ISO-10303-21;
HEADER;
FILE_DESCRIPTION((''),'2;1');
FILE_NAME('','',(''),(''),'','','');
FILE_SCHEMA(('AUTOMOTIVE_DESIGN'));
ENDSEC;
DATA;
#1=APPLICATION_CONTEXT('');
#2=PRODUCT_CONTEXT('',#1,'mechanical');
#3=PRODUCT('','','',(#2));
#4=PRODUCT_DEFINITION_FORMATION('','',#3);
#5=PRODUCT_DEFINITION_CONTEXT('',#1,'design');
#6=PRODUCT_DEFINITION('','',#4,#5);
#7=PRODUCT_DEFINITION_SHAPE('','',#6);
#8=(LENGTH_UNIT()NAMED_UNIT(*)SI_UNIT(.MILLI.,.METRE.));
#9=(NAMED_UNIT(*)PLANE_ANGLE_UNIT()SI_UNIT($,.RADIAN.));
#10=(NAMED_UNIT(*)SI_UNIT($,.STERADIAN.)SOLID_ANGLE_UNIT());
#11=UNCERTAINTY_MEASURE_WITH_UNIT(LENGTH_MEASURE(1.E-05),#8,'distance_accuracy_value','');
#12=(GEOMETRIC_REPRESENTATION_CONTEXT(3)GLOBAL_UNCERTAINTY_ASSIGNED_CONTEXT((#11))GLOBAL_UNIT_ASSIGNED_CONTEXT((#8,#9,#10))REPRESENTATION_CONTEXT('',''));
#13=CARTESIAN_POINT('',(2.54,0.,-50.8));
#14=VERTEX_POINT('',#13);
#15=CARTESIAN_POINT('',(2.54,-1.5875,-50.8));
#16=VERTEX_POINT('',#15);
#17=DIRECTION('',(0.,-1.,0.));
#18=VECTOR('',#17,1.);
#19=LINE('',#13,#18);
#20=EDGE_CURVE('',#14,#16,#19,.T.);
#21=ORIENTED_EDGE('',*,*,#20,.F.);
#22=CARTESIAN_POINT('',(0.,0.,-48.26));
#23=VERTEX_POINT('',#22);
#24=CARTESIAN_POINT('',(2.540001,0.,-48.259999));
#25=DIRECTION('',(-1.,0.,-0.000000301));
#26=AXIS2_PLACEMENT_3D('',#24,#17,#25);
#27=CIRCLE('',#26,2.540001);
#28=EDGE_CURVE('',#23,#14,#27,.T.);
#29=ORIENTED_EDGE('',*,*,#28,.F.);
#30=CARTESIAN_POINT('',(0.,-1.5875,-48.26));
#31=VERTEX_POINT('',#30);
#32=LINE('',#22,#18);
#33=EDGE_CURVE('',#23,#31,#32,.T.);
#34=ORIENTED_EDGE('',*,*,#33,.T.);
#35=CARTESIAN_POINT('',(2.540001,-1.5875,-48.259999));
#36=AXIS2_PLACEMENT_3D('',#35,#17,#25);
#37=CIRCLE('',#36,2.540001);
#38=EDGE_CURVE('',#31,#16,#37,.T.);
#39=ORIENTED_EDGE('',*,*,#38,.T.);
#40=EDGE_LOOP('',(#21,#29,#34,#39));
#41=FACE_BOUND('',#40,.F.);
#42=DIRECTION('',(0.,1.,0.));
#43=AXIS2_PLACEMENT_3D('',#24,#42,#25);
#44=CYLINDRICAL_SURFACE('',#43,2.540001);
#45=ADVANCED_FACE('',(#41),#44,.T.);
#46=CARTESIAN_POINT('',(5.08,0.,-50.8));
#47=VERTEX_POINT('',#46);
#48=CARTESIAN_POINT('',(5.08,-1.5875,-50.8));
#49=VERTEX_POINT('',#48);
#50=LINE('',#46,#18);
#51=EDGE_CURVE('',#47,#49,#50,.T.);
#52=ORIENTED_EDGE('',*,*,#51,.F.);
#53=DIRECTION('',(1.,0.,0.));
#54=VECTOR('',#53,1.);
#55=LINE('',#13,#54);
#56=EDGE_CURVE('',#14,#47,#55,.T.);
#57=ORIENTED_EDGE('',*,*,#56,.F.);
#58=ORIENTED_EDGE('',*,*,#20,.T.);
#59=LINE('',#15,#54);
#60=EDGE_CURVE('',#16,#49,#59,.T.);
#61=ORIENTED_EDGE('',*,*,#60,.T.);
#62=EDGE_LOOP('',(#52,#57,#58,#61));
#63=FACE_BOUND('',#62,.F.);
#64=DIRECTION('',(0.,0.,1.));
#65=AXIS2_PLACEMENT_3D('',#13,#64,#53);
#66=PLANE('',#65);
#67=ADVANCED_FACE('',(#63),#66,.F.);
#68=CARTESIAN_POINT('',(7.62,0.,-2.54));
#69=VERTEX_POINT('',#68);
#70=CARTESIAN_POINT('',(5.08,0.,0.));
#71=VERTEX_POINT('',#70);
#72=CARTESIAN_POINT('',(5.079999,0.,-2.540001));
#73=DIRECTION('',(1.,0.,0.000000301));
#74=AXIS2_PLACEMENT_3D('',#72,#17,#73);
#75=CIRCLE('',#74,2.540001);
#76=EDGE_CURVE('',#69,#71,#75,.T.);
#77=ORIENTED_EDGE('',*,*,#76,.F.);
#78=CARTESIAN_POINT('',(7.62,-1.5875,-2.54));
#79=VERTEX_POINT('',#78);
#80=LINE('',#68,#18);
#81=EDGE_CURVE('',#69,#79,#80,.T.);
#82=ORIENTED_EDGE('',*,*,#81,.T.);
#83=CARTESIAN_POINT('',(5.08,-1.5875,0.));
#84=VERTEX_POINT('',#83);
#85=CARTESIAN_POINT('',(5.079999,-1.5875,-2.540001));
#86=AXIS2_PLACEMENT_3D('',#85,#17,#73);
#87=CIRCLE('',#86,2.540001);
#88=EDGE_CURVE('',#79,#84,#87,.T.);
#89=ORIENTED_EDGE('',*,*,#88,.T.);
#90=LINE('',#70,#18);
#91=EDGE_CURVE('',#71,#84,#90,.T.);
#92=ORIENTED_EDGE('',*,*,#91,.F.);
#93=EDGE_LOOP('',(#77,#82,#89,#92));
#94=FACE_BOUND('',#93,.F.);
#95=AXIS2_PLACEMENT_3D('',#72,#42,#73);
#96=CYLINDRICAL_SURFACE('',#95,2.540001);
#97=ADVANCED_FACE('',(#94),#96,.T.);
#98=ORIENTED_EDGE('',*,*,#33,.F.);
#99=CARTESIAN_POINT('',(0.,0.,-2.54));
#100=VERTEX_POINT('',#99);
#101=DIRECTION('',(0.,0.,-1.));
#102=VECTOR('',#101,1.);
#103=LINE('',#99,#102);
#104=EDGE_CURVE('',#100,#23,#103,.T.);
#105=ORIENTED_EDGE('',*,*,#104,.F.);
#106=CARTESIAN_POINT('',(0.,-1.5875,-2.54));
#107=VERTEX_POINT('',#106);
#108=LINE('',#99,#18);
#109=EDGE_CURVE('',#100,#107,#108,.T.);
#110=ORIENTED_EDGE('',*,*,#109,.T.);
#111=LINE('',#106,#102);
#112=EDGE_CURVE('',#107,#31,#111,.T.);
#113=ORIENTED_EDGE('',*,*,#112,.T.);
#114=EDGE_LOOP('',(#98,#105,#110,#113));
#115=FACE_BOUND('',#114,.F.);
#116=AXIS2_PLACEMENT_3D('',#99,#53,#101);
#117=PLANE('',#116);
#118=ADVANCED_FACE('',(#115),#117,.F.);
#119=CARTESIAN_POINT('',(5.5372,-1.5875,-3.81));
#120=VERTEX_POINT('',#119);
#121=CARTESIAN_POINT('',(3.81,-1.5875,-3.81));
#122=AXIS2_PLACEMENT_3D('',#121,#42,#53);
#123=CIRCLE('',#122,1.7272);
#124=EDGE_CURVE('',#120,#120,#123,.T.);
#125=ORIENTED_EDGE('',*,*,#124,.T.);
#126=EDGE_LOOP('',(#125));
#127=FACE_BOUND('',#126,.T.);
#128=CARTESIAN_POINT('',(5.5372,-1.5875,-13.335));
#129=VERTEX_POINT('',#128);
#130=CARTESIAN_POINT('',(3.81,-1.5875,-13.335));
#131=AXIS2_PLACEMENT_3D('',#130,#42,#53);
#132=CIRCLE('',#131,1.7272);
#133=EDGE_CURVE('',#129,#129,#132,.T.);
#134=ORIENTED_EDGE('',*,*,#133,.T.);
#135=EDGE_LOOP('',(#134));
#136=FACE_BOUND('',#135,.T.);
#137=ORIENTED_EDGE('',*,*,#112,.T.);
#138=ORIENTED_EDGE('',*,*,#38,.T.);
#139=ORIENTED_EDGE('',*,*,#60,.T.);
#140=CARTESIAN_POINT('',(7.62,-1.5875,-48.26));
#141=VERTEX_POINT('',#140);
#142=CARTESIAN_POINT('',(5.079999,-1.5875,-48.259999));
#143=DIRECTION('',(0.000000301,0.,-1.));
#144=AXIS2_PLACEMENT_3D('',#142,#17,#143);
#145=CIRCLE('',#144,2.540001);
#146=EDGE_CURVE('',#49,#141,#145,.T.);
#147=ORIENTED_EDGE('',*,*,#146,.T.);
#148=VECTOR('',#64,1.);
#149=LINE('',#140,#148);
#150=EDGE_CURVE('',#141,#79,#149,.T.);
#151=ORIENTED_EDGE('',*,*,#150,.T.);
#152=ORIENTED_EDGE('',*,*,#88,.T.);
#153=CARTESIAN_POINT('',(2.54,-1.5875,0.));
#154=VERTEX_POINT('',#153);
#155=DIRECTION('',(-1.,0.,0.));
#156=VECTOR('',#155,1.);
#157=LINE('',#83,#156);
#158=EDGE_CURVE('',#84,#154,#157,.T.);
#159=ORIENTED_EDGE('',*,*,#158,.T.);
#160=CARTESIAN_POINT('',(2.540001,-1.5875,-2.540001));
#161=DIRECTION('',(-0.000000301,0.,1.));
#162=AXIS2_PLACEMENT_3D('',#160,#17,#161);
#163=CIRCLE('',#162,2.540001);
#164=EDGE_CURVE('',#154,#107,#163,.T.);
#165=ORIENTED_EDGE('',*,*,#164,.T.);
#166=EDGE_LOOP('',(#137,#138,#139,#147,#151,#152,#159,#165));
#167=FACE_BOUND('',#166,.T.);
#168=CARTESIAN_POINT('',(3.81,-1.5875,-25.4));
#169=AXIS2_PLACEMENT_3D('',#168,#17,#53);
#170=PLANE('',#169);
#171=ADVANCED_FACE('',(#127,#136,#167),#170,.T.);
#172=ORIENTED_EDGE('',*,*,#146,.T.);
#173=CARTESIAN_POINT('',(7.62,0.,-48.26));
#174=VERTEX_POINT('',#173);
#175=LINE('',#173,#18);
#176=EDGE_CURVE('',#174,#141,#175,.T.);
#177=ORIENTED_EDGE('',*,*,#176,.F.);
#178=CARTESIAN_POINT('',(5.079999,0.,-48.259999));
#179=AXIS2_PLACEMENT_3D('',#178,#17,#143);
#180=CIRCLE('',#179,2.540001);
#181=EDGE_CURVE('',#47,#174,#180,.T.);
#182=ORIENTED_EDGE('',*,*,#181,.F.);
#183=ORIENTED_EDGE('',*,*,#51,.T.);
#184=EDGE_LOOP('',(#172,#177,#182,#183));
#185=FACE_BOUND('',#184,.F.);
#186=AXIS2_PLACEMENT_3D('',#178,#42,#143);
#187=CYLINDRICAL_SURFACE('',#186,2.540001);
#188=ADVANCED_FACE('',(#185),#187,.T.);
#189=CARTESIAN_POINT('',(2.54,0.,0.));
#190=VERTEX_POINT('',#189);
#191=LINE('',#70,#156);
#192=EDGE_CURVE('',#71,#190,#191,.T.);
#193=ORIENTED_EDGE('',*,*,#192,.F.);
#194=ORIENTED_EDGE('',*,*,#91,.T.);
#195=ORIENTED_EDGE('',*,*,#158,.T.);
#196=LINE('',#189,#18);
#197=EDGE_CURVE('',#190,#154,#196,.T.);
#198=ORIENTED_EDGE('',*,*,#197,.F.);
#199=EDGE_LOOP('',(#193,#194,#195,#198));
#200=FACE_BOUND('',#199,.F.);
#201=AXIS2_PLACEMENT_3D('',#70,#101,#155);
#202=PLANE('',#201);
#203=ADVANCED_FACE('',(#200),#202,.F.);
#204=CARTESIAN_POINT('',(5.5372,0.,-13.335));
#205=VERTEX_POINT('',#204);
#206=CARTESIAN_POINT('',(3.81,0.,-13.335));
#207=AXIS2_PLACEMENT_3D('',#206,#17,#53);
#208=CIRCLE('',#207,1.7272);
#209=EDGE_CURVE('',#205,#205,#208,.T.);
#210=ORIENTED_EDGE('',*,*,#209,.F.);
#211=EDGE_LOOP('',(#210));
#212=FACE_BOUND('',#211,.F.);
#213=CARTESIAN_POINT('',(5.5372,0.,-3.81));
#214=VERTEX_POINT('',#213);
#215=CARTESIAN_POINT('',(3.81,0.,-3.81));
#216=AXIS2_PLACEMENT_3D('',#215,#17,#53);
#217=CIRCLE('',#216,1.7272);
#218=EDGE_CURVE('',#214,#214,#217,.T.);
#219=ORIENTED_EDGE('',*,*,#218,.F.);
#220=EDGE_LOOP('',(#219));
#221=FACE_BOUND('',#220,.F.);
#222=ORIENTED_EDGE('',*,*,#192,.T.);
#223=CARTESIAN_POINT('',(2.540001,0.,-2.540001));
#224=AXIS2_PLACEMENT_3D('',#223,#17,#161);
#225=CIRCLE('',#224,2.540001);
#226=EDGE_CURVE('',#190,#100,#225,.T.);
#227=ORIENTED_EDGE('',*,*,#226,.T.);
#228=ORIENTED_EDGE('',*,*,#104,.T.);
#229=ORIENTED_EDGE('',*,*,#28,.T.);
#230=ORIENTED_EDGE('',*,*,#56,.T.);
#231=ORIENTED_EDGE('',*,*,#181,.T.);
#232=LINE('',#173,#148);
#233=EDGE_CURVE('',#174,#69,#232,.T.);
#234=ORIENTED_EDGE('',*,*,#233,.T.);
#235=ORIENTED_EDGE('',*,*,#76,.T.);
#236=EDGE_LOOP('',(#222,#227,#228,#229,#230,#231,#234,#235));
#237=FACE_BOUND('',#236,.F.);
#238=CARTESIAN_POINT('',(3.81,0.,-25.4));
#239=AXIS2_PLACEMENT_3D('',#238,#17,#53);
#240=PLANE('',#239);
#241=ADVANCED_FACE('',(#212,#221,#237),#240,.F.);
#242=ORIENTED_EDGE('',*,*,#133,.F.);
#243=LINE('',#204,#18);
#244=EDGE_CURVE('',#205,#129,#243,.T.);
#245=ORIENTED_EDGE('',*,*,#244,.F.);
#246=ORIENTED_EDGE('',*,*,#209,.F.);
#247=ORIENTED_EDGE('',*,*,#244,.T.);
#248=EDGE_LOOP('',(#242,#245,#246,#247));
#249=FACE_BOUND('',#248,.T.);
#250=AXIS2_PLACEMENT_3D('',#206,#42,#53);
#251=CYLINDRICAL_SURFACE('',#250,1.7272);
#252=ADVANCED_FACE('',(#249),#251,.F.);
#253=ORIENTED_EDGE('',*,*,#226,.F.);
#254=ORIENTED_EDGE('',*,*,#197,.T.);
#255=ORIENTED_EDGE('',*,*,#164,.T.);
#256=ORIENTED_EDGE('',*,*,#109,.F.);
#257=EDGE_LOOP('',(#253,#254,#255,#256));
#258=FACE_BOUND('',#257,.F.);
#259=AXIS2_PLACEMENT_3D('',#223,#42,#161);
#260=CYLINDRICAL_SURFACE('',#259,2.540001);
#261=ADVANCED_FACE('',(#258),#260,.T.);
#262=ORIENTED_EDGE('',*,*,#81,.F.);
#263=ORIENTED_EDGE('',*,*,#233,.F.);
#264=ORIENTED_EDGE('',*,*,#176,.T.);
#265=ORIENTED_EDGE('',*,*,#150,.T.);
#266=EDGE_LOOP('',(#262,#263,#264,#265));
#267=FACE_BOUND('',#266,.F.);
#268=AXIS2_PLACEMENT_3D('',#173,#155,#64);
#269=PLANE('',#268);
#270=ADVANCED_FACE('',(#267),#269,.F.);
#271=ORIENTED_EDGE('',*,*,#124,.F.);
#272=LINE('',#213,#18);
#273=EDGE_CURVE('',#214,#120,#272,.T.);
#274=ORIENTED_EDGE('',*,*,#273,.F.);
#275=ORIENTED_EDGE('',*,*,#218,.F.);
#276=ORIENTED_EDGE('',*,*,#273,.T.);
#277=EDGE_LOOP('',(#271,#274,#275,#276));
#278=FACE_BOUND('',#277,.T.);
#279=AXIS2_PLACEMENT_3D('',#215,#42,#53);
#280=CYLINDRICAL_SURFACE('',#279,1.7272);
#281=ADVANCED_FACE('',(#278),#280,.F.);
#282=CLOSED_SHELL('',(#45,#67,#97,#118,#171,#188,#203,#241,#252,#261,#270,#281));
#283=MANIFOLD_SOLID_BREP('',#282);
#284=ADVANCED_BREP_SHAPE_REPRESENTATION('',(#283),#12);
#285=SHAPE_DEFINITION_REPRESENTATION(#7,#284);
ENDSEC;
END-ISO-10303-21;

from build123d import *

# Parameters (mm, degrees)
F1_DEPTH = 1.5875
F2_R     = 1.7272
F3_DEPTH = 1.5885


with BuildPart() as f1:
    # F0 (on Front) → F1 (new body)
    with BuildSketch(Plane.XZ):
        with BuildLine():
            Line((5.08, 0), (2.54, 0))
            ThreePointArc((2.54, 0), (0.743949, -0.743949), (0, -2.54))
            Line((0, -2.54), (0, -48.26))
            ThreePointArc((0, -48.26), (0.743949, -50.056051), (2.54, -50.8))
            Line((2.54, -50.8), (5.08, -50.8))
            ThreePointArc((5.08, -50.8), (6.876051, -50.056051), (7.62, -48.26))
            Line((7.62, -48.26), (7.62, -2.54))
            ThreePointArc((7.62, -2.54), (6.876051, -0.743949), (5.08, 0))
        make_face()
    extrude(amount=F1_DEPTH)

    # F2 (on Front) → F3 (cut, through all)
    with BuildSketch(Plane.XZ):
        with Locations((3.81, -3.81)):
            Circle(F2_R)
        with Locations((3.81, -13.335)):
            Circle(F2_R)
    extrude(amount=F3_DEPTH, mode=Mode.SUBTRACT)


solid = f1.part
